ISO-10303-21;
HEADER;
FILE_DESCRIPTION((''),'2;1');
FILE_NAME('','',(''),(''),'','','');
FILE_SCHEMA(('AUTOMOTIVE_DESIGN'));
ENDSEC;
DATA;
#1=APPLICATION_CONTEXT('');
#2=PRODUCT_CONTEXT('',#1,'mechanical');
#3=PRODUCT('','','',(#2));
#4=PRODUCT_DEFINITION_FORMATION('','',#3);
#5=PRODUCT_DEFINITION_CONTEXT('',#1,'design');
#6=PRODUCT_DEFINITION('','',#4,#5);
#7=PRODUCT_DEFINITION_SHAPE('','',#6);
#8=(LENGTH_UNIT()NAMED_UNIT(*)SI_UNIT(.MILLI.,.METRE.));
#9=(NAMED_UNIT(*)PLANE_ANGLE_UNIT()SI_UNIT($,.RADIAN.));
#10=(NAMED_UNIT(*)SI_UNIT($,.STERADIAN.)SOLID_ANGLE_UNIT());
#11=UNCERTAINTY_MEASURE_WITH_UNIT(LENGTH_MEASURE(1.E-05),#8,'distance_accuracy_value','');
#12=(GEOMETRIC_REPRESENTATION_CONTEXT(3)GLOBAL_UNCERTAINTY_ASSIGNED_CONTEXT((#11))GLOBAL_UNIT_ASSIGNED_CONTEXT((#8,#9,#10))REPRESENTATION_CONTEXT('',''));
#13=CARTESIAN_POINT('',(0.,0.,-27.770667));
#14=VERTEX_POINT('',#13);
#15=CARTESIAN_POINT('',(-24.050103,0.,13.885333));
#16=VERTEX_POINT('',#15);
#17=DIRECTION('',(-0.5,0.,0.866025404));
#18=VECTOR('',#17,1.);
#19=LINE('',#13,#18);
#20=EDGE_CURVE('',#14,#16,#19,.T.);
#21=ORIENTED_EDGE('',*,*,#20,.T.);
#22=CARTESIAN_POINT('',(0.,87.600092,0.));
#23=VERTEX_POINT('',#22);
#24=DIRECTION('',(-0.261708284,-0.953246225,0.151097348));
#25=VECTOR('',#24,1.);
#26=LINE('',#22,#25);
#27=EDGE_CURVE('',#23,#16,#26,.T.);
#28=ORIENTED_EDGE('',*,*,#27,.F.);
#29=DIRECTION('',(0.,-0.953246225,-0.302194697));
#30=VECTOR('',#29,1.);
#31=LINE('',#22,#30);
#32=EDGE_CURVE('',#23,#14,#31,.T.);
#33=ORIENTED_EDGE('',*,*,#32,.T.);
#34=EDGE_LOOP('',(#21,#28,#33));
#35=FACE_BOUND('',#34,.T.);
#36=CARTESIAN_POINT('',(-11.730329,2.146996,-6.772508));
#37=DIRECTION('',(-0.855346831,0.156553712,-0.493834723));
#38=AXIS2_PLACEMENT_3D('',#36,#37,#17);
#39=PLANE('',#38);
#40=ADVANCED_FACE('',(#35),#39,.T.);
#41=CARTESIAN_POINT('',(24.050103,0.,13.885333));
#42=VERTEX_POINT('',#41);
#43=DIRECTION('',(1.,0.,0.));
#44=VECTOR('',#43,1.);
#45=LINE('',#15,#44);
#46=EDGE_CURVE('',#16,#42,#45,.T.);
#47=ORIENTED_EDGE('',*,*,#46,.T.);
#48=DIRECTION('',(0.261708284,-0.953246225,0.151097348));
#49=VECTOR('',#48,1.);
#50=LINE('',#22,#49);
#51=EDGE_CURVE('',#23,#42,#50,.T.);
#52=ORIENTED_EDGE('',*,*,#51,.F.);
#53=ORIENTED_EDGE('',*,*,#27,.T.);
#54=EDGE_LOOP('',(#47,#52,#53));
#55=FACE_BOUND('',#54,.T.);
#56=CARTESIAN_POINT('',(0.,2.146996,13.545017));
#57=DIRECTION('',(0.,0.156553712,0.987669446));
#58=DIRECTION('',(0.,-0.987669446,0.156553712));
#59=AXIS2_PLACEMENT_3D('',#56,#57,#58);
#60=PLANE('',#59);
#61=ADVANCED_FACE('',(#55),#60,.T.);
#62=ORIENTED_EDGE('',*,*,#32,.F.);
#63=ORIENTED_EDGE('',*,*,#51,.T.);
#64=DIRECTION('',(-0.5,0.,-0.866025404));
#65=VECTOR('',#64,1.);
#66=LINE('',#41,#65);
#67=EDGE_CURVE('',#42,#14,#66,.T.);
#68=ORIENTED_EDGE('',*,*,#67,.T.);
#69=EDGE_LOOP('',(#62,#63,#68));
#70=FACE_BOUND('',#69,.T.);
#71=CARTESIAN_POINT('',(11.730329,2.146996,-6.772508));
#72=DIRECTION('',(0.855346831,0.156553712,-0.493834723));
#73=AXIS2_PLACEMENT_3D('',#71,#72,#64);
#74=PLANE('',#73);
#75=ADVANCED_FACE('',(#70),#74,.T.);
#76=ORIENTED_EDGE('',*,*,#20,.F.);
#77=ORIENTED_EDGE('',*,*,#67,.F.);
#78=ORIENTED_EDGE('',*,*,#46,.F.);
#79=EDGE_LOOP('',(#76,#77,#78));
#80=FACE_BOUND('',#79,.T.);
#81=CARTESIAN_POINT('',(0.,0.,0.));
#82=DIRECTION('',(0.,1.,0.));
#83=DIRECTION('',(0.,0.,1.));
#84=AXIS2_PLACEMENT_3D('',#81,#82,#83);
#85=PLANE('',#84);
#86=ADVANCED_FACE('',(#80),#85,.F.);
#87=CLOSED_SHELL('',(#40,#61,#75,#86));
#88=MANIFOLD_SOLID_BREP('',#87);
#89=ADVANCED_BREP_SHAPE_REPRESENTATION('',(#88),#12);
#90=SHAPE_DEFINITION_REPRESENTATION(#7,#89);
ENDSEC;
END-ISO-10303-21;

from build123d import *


with BuildPart() as part:
    # Sketch1 → Loft1 section 0
    with BuildSketch(Plane(origin=(0, 0, 0), x_dir=(1, 0, 0), z_dir=(0, 1, 0)), mode=Mode.PRIVATE) as loft1_s0:
        with BuildLine():
            Line((0, 27.770666667), (-24.050102813, -13.885333333))
            Line((-24.050102813, -13.885333333), (24.050102813, -13.885333333))
            Line((24.050102813, -13.885333333), (0, 27.770666667))
        make_face()
    loft([Vertex(0, 87.600091711, 0), loft1_s0.sketch])


solid = part.part
